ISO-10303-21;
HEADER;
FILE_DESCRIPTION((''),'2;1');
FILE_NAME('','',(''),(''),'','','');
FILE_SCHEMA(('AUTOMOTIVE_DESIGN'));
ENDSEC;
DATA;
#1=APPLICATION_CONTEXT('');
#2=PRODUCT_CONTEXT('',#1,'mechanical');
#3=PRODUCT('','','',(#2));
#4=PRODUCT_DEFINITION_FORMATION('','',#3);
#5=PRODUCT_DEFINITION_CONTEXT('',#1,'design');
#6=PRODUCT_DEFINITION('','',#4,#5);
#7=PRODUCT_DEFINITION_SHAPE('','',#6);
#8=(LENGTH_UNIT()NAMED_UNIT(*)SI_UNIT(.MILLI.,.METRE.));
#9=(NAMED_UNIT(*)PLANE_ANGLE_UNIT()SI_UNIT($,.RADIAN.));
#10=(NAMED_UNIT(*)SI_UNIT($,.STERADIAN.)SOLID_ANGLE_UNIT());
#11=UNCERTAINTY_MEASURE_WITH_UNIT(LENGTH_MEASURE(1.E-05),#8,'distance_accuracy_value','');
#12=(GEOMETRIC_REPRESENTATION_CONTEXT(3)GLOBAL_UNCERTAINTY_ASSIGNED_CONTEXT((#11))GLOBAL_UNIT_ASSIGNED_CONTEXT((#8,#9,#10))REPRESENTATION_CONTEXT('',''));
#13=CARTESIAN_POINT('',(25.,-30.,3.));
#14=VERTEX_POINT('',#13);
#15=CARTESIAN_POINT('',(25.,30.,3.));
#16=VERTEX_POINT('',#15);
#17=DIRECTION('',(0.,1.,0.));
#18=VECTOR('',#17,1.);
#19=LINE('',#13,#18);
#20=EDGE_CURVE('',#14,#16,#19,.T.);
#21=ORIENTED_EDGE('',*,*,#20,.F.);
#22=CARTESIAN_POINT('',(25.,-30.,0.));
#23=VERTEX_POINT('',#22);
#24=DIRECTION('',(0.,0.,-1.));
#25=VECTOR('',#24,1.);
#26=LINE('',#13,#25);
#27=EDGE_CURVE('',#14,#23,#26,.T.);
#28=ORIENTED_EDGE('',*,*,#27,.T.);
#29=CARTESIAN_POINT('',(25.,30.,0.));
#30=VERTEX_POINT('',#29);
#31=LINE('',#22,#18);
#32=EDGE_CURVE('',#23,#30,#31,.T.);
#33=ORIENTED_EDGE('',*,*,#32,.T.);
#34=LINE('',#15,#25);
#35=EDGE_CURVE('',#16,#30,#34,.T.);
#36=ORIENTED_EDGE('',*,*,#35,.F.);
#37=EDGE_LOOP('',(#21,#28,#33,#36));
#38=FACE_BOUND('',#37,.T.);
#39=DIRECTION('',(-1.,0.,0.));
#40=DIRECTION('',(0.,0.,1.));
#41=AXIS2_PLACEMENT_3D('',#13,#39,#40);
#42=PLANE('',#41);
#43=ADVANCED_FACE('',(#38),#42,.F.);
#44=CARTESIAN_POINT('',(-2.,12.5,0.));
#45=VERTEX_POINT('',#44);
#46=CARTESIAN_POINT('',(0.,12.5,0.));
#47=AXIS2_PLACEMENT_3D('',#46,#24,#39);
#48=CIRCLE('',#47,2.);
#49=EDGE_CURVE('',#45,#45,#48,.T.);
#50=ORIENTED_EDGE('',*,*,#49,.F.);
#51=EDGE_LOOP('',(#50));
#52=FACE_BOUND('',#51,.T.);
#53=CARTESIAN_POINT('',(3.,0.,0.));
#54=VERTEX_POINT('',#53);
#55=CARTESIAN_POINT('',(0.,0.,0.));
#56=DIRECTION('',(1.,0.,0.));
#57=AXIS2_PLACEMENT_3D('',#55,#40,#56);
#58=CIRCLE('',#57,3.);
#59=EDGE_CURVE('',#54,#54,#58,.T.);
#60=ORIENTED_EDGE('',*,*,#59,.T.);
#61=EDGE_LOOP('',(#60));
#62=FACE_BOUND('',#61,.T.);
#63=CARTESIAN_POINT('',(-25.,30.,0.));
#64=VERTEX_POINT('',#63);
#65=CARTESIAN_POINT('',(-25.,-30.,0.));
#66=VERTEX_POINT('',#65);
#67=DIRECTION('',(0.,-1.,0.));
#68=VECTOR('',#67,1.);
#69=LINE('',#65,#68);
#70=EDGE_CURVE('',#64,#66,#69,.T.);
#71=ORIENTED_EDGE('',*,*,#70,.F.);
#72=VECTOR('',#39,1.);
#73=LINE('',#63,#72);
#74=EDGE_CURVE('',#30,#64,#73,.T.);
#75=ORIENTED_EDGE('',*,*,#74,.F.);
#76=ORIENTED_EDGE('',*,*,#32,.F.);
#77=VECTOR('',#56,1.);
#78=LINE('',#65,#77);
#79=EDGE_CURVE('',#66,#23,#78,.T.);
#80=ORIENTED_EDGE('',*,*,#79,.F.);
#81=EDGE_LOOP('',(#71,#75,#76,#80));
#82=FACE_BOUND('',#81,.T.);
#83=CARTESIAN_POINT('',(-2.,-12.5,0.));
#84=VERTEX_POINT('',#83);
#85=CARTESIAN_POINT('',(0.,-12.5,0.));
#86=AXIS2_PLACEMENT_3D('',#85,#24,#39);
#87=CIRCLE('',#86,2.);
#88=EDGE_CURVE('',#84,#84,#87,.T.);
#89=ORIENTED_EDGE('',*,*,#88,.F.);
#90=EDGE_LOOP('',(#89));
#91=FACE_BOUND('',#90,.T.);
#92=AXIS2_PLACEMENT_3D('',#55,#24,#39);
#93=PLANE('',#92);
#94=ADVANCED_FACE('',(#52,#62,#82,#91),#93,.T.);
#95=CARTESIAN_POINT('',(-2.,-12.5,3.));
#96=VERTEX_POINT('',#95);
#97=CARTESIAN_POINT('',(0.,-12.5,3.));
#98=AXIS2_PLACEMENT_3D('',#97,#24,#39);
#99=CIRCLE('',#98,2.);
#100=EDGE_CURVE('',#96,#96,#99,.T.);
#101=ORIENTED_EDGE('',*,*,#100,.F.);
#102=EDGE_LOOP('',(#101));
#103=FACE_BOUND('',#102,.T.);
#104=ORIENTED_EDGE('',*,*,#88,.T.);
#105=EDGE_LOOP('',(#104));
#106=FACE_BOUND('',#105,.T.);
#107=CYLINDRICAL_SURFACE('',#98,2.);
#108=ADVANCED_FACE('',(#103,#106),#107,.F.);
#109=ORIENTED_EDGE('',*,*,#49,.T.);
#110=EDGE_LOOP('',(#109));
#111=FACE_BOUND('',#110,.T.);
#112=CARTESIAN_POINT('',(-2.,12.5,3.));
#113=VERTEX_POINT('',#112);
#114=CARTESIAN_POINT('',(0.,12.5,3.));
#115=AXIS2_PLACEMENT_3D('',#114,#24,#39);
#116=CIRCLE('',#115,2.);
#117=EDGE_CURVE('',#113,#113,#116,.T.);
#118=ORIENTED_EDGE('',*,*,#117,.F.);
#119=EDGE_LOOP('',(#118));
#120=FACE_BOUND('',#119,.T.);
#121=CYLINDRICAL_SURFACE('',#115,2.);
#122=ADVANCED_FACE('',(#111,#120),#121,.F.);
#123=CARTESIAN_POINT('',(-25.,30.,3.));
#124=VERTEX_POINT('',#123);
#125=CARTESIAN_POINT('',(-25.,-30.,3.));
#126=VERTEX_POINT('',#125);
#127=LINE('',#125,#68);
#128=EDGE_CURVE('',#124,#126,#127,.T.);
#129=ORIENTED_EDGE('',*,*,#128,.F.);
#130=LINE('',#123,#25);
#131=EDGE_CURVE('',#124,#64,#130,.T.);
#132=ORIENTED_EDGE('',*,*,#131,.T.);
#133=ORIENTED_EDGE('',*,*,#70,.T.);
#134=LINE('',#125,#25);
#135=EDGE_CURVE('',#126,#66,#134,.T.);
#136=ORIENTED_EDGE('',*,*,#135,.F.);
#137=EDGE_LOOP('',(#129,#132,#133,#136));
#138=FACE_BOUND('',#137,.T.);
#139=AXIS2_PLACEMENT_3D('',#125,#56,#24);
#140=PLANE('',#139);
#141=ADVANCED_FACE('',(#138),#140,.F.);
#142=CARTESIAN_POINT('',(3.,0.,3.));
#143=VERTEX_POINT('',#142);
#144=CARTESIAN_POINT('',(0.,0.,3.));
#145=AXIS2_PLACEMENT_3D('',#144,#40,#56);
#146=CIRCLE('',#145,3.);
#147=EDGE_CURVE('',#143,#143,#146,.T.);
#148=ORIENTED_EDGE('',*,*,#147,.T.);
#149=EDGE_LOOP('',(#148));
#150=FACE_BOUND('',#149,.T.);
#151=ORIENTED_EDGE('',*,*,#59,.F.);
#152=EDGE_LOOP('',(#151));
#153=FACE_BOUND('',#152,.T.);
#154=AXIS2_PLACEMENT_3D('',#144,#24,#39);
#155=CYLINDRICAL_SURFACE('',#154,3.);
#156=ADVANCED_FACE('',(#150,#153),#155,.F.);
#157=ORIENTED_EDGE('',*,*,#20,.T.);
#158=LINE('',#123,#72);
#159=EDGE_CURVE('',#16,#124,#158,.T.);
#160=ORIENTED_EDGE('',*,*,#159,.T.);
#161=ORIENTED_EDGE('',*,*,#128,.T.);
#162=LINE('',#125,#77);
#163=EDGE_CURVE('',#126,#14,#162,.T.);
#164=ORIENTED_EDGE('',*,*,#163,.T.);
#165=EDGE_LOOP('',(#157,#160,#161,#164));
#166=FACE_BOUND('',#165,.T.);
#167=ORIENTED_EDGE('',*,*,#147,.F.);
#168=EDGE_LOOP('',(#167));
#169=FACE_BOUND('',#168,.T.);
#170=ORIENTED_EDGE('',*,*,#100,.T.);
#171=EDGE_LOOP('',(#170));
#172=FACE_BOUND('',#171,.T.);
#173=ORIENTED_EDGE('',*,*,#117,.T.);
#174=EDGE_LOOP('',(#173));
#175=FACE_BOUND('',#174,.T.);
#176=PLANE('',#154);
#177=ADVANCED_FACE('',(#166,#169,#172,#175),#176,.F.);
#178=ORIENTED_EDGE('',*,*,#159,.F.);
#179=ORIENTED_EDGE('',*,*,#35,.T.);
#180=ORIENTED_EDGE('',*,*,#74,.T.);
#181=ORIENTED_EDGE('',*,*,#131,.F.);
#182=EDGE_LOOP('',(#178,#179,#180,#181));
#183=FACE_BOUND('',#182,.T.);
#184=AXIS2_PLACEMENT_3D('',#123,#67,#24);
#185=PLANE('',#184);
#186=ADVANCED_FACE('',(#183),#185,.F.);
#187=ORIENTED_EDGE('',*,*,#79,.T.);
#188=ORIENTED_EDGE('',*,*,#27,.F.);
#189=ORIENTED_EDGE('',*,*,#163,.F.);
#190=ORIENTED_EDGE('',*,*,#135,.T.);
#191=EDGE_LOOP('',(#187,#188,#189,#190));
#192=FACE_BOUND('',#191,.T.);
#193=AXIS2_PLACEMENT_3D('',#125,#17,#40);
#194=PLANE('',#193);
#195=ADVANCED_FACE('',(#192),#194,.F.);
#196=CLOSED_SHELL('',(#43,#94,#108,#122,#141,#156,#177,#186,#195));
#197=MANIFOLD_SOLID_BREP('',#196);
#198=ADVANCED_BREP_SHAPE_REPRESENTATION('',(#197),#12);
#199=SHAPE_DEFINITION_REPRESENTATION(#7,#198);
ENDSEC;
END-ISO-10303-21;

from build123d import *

# Parameters (mm, degrees)
SKETCH1_W           = 50
SKETCH1_H           = 60
SKETCH1_R           = 3
BOSS_EXTRUDE1_DEPTH = 3
SKETCH2_R           = 2
CUT_EXTRUDE1_DEPTH  = 4


with BuildPart() as part:
    # Sketch1 → Boss-Extrude1 (new body)
    with BuildSketch(Plane.XY):
        Rectangle(SKETCH1_W, SKETCH1_H)
        Circle(SKETCH1_R, mode=Mode.SUBTRACT)
    extrude(amount=BOSS_EXTRUDE1_DEPTH)

    # Sketch2 → Cut-Extrude1 (cut, through all)
    with BuildSketch(Plane(origin=(0, 0, 0), x_dir=(-1, 0, 0), z_dir=(0, 0, -1))):
        with Locations((0, 12.5)):
            Circle(SKETCH2_R)
        with Locations((0, -12.5)):
            Circle(SKETCH2_R)
    extrude(amount=-CUT_EXTRUDE1_DEPTH, mode=Mode.SUBTRACT)


solid = part.part
